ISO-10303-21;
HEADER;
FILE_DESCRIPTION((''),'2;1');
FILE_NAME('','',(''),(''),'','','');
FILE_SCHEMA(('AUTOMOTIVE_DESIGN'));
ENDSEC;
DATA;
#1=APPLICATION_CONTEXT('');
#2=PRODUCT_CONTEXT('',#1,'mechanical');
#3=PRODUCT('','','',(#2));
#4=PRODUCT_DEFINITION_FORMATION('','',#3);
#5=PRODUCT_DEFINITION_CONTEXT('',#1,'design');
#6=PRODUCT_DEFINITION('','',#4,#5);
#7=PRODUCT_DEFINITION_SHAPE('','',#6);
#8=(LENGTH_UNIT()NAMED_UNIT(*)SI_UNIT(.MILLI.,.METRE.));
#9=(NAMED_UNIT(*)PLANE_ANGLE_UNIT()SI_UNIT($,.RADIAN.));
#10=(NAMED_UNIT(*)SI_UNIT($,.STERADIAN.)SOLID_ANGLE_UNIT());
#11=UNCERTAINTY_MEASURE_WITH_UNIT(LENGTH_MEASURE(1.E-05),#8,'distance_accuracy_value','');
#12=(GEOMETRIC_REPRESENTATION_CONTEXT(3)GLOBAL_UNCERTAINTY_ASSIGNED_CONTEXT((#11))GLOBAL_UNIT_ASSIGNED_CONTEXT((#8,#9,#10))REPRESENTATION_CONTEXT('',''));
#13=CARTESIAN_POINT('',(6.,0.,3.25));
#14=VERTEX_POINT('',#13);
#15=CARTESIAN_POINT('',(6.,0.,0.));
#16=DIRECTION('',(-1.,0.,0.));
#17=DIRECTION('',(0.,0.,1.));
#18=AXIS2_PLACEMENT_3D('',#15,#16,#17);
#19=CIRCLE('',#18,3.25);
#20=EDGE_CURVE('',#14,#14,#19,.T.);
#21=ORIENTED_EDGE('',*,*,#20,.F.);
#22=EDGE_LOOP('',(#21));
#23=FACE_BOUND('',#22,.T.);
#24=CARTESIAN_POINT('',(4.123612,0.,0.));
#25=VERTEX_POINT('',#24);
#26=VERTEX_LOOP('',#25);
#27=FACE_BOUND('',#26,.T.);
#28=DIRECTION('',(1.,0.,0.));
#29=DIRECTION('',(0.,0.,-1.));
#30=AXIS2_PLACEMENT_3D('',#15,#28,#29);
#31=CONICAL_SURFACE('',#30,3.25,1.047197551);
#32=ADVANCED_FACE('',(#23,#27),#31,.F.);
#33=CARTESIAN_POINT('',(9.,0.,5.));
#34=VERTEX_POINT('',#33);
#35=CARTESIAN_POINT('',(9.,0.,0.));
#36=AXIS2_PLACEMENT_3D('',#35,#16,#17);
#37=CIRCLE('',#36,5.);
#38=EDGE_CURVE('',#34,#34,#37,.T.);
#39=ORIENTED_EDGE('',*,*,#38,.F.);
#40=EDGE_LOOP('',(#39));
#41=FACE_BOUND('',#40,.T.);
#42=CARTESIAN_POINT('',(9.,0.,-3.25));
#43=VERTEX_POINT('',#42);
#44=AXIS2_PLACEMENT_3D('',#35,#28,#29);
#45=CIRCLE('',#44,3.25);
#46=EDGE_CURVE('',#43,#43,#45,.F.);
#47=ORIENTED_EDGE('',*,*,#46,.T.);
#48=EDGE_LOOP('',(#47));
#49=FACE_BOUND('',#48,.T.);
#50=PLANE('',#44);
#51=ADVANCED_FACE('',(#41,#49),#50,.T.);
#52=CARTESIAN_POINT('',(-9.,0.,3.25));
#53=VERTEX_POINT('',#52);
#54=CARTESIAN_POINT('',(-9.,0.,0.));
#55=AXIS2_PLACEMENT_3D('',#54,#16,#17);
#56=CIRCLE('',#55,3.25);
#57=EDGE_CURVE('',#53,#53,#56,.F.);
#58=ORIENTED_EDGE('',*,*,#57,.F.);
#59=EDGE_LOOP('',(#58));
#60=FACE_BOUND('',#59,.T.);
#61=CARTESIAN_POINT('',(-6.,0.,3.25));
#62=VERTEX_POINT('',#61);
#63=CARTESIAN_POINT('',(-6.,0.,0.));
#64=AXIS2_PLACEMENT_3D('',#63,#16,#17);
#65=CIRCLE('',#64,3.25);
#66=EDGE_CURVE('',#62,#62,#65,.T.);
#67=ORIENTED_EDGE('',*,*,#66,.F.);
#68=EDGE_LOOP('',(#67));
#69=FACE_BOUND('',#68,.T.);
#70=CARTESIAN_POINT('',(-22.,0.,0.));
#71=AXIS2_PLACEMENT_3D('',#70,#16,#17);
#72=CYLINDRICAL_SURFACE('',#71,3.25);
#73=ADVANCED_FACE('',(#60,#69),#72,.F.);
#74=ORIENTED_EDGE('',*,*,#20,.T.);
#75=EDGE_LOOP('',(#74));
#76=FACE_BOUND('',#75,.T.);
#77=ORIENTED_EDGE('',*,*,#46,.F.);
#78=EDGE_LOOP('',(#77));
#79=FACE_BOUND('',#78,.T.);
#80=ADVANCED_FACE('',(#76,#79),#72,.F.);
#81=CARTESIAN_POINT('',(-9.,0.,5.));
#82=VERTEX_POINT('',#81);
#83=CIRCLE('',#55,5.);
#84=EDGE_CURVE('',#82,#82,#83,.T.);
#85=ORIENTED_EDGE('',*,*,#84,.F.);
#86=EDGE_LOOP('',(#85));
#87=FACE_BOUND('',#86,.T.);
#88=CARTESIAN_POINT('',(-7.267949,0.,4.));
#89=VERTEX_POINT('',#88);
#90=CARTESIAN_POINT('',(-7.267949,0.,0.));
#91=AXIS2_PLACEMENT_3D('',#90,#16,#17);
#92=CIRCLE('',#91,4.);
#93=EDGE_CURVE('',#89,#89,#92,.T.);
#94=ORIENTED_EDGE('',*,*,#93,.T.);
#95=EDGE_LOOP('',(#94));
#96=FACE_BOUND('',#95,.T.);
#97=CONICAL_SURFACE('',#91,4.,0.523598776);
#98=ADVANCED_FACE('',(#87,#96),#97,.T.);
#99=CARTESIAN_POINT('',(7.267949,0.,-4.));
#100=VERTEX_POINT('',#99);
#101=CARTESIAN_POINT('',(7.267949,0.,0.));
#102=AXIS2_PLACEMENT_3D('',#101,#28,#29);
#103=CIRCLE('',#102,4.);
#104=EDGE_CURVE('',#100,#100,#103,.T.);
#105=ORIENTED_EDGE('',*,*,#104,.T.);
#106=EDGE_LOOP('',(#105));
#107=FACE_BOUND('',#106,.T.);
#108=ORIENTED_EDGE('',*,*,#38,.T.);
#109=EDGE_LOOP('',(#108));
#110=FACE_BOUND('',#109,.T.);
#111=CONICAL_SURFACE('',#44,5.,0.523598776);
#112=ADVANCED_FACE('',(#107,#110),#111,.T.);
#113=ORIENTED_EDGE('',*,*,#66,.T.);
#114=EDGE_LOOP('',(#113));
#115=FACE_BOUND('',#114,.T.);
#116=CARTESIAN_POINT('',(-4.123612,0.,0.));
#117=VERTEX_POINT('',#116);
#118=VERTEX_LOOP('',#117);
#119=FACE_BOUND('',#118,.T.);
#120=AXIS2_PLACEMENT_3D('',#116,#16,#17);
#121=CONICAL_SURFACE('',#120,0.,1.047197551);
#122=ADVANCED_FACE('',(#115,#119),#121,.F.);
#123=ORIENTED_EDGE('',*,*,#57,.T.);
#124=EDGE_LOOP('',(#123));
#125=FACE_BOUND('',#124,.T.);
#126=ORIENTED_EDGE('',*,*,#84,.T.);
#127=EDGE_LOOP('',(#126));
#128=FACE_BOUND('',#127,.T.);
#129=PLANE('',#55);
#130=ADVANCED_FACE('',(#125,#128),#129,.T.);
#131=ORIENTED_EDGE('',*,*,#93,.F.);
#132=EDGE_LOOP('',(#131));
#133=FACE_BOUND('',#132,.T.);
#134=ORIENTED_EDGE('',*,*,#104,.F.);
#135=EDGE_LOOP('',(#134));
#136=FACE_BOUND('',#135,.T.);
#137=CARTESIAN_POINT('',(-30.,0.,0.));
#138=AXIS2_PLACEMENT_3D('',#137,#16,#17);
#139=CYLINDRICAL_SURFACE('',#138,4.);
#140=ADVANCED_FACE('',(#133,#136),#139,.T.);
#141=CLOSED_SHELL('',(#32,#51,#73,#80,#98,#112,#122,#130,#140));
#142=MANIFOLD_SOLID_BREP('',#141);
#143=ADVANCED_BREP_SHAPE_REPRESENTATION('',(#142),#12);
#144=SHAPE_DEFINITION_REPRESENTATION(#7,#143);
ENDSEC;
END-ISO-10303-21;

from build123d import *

# Parameters (mm, degrees)
SKETCH1_W = 20
SKETCH1_H = 4
SKETCH2_W = 2
SKETCH2_H = 5


with BuildPart() as part:
    # Sketch1 → Base-Revolve (revolve)
    with BuildSketch(Plane.XY, mode=Mode.PRIVATE) as base_revolve_sk:
        with Locations((0, 2)):
            Rectangle(SKETCH1_W, SKETCH1_H)
    revolve(base_revolve_sk.sketch.rotate(Axis((-30, 0, 0), (1, 0, 0)), 90), axis=Axis((-30, 0, 0), (1, 0, 0)))

    # Sketch2 → Cut-to-GripLength (revolve, cut)
    with BuildSketch(Plane.XY):
        with Locations((-10, 2.5)):
            Rectangle(SKETCH2_W, SKETCH2_H)
        with Locations((10, 2.5)):
            Rectangle(SKETCH2_W, SKETCH2_H)
    revolve(axis=Axis((-30, 0, 0), (1, 0, 0)), mode=Mode.SUBTRACT)

    # Sketch4 → HeadTypeB (revolve)
    with BuildSketch(Plane.XY, mode=Mode.PRIVATE) as headtypeb_sk:
        Polygon((-9, 0), (-9, 5), (-7.267949192, 4), (-7.267949192, 0), align=None)
        Polygon((7.267949192, 0), (9, 0), (9, 5), (7.267949192, 4), align=None)
    revolve(headtypeb_sk.sketch.rotate(Axis((-20, 0, 0), (1, 0, 0)), 90), axis=Axis((-20, 0, 0), (1, 0, 0)))

    # Sketch5 → HoleTypeA (revolve, cut)
    with BuildSketch(Plane.XY, mode=Mode.PRIVATE) as holetypea_sk:
        Polygon((-4.123611625, 0), (-6, 3.25), (-10, 3.25), (-10, 0), align=None)
        Polygon((4.123611625, 0), (6, 3.25), (10, 3.25), (10, 0), align=None)
    revolve(holetypea_sk.sketch.rotate(Axis((-22, 0, 0), (1, 0, 0)), 90), axis=Axis((-22, 0, 0), (1, 0, 0)), mode=Mode.SUBTRACT)


solid = part.part
